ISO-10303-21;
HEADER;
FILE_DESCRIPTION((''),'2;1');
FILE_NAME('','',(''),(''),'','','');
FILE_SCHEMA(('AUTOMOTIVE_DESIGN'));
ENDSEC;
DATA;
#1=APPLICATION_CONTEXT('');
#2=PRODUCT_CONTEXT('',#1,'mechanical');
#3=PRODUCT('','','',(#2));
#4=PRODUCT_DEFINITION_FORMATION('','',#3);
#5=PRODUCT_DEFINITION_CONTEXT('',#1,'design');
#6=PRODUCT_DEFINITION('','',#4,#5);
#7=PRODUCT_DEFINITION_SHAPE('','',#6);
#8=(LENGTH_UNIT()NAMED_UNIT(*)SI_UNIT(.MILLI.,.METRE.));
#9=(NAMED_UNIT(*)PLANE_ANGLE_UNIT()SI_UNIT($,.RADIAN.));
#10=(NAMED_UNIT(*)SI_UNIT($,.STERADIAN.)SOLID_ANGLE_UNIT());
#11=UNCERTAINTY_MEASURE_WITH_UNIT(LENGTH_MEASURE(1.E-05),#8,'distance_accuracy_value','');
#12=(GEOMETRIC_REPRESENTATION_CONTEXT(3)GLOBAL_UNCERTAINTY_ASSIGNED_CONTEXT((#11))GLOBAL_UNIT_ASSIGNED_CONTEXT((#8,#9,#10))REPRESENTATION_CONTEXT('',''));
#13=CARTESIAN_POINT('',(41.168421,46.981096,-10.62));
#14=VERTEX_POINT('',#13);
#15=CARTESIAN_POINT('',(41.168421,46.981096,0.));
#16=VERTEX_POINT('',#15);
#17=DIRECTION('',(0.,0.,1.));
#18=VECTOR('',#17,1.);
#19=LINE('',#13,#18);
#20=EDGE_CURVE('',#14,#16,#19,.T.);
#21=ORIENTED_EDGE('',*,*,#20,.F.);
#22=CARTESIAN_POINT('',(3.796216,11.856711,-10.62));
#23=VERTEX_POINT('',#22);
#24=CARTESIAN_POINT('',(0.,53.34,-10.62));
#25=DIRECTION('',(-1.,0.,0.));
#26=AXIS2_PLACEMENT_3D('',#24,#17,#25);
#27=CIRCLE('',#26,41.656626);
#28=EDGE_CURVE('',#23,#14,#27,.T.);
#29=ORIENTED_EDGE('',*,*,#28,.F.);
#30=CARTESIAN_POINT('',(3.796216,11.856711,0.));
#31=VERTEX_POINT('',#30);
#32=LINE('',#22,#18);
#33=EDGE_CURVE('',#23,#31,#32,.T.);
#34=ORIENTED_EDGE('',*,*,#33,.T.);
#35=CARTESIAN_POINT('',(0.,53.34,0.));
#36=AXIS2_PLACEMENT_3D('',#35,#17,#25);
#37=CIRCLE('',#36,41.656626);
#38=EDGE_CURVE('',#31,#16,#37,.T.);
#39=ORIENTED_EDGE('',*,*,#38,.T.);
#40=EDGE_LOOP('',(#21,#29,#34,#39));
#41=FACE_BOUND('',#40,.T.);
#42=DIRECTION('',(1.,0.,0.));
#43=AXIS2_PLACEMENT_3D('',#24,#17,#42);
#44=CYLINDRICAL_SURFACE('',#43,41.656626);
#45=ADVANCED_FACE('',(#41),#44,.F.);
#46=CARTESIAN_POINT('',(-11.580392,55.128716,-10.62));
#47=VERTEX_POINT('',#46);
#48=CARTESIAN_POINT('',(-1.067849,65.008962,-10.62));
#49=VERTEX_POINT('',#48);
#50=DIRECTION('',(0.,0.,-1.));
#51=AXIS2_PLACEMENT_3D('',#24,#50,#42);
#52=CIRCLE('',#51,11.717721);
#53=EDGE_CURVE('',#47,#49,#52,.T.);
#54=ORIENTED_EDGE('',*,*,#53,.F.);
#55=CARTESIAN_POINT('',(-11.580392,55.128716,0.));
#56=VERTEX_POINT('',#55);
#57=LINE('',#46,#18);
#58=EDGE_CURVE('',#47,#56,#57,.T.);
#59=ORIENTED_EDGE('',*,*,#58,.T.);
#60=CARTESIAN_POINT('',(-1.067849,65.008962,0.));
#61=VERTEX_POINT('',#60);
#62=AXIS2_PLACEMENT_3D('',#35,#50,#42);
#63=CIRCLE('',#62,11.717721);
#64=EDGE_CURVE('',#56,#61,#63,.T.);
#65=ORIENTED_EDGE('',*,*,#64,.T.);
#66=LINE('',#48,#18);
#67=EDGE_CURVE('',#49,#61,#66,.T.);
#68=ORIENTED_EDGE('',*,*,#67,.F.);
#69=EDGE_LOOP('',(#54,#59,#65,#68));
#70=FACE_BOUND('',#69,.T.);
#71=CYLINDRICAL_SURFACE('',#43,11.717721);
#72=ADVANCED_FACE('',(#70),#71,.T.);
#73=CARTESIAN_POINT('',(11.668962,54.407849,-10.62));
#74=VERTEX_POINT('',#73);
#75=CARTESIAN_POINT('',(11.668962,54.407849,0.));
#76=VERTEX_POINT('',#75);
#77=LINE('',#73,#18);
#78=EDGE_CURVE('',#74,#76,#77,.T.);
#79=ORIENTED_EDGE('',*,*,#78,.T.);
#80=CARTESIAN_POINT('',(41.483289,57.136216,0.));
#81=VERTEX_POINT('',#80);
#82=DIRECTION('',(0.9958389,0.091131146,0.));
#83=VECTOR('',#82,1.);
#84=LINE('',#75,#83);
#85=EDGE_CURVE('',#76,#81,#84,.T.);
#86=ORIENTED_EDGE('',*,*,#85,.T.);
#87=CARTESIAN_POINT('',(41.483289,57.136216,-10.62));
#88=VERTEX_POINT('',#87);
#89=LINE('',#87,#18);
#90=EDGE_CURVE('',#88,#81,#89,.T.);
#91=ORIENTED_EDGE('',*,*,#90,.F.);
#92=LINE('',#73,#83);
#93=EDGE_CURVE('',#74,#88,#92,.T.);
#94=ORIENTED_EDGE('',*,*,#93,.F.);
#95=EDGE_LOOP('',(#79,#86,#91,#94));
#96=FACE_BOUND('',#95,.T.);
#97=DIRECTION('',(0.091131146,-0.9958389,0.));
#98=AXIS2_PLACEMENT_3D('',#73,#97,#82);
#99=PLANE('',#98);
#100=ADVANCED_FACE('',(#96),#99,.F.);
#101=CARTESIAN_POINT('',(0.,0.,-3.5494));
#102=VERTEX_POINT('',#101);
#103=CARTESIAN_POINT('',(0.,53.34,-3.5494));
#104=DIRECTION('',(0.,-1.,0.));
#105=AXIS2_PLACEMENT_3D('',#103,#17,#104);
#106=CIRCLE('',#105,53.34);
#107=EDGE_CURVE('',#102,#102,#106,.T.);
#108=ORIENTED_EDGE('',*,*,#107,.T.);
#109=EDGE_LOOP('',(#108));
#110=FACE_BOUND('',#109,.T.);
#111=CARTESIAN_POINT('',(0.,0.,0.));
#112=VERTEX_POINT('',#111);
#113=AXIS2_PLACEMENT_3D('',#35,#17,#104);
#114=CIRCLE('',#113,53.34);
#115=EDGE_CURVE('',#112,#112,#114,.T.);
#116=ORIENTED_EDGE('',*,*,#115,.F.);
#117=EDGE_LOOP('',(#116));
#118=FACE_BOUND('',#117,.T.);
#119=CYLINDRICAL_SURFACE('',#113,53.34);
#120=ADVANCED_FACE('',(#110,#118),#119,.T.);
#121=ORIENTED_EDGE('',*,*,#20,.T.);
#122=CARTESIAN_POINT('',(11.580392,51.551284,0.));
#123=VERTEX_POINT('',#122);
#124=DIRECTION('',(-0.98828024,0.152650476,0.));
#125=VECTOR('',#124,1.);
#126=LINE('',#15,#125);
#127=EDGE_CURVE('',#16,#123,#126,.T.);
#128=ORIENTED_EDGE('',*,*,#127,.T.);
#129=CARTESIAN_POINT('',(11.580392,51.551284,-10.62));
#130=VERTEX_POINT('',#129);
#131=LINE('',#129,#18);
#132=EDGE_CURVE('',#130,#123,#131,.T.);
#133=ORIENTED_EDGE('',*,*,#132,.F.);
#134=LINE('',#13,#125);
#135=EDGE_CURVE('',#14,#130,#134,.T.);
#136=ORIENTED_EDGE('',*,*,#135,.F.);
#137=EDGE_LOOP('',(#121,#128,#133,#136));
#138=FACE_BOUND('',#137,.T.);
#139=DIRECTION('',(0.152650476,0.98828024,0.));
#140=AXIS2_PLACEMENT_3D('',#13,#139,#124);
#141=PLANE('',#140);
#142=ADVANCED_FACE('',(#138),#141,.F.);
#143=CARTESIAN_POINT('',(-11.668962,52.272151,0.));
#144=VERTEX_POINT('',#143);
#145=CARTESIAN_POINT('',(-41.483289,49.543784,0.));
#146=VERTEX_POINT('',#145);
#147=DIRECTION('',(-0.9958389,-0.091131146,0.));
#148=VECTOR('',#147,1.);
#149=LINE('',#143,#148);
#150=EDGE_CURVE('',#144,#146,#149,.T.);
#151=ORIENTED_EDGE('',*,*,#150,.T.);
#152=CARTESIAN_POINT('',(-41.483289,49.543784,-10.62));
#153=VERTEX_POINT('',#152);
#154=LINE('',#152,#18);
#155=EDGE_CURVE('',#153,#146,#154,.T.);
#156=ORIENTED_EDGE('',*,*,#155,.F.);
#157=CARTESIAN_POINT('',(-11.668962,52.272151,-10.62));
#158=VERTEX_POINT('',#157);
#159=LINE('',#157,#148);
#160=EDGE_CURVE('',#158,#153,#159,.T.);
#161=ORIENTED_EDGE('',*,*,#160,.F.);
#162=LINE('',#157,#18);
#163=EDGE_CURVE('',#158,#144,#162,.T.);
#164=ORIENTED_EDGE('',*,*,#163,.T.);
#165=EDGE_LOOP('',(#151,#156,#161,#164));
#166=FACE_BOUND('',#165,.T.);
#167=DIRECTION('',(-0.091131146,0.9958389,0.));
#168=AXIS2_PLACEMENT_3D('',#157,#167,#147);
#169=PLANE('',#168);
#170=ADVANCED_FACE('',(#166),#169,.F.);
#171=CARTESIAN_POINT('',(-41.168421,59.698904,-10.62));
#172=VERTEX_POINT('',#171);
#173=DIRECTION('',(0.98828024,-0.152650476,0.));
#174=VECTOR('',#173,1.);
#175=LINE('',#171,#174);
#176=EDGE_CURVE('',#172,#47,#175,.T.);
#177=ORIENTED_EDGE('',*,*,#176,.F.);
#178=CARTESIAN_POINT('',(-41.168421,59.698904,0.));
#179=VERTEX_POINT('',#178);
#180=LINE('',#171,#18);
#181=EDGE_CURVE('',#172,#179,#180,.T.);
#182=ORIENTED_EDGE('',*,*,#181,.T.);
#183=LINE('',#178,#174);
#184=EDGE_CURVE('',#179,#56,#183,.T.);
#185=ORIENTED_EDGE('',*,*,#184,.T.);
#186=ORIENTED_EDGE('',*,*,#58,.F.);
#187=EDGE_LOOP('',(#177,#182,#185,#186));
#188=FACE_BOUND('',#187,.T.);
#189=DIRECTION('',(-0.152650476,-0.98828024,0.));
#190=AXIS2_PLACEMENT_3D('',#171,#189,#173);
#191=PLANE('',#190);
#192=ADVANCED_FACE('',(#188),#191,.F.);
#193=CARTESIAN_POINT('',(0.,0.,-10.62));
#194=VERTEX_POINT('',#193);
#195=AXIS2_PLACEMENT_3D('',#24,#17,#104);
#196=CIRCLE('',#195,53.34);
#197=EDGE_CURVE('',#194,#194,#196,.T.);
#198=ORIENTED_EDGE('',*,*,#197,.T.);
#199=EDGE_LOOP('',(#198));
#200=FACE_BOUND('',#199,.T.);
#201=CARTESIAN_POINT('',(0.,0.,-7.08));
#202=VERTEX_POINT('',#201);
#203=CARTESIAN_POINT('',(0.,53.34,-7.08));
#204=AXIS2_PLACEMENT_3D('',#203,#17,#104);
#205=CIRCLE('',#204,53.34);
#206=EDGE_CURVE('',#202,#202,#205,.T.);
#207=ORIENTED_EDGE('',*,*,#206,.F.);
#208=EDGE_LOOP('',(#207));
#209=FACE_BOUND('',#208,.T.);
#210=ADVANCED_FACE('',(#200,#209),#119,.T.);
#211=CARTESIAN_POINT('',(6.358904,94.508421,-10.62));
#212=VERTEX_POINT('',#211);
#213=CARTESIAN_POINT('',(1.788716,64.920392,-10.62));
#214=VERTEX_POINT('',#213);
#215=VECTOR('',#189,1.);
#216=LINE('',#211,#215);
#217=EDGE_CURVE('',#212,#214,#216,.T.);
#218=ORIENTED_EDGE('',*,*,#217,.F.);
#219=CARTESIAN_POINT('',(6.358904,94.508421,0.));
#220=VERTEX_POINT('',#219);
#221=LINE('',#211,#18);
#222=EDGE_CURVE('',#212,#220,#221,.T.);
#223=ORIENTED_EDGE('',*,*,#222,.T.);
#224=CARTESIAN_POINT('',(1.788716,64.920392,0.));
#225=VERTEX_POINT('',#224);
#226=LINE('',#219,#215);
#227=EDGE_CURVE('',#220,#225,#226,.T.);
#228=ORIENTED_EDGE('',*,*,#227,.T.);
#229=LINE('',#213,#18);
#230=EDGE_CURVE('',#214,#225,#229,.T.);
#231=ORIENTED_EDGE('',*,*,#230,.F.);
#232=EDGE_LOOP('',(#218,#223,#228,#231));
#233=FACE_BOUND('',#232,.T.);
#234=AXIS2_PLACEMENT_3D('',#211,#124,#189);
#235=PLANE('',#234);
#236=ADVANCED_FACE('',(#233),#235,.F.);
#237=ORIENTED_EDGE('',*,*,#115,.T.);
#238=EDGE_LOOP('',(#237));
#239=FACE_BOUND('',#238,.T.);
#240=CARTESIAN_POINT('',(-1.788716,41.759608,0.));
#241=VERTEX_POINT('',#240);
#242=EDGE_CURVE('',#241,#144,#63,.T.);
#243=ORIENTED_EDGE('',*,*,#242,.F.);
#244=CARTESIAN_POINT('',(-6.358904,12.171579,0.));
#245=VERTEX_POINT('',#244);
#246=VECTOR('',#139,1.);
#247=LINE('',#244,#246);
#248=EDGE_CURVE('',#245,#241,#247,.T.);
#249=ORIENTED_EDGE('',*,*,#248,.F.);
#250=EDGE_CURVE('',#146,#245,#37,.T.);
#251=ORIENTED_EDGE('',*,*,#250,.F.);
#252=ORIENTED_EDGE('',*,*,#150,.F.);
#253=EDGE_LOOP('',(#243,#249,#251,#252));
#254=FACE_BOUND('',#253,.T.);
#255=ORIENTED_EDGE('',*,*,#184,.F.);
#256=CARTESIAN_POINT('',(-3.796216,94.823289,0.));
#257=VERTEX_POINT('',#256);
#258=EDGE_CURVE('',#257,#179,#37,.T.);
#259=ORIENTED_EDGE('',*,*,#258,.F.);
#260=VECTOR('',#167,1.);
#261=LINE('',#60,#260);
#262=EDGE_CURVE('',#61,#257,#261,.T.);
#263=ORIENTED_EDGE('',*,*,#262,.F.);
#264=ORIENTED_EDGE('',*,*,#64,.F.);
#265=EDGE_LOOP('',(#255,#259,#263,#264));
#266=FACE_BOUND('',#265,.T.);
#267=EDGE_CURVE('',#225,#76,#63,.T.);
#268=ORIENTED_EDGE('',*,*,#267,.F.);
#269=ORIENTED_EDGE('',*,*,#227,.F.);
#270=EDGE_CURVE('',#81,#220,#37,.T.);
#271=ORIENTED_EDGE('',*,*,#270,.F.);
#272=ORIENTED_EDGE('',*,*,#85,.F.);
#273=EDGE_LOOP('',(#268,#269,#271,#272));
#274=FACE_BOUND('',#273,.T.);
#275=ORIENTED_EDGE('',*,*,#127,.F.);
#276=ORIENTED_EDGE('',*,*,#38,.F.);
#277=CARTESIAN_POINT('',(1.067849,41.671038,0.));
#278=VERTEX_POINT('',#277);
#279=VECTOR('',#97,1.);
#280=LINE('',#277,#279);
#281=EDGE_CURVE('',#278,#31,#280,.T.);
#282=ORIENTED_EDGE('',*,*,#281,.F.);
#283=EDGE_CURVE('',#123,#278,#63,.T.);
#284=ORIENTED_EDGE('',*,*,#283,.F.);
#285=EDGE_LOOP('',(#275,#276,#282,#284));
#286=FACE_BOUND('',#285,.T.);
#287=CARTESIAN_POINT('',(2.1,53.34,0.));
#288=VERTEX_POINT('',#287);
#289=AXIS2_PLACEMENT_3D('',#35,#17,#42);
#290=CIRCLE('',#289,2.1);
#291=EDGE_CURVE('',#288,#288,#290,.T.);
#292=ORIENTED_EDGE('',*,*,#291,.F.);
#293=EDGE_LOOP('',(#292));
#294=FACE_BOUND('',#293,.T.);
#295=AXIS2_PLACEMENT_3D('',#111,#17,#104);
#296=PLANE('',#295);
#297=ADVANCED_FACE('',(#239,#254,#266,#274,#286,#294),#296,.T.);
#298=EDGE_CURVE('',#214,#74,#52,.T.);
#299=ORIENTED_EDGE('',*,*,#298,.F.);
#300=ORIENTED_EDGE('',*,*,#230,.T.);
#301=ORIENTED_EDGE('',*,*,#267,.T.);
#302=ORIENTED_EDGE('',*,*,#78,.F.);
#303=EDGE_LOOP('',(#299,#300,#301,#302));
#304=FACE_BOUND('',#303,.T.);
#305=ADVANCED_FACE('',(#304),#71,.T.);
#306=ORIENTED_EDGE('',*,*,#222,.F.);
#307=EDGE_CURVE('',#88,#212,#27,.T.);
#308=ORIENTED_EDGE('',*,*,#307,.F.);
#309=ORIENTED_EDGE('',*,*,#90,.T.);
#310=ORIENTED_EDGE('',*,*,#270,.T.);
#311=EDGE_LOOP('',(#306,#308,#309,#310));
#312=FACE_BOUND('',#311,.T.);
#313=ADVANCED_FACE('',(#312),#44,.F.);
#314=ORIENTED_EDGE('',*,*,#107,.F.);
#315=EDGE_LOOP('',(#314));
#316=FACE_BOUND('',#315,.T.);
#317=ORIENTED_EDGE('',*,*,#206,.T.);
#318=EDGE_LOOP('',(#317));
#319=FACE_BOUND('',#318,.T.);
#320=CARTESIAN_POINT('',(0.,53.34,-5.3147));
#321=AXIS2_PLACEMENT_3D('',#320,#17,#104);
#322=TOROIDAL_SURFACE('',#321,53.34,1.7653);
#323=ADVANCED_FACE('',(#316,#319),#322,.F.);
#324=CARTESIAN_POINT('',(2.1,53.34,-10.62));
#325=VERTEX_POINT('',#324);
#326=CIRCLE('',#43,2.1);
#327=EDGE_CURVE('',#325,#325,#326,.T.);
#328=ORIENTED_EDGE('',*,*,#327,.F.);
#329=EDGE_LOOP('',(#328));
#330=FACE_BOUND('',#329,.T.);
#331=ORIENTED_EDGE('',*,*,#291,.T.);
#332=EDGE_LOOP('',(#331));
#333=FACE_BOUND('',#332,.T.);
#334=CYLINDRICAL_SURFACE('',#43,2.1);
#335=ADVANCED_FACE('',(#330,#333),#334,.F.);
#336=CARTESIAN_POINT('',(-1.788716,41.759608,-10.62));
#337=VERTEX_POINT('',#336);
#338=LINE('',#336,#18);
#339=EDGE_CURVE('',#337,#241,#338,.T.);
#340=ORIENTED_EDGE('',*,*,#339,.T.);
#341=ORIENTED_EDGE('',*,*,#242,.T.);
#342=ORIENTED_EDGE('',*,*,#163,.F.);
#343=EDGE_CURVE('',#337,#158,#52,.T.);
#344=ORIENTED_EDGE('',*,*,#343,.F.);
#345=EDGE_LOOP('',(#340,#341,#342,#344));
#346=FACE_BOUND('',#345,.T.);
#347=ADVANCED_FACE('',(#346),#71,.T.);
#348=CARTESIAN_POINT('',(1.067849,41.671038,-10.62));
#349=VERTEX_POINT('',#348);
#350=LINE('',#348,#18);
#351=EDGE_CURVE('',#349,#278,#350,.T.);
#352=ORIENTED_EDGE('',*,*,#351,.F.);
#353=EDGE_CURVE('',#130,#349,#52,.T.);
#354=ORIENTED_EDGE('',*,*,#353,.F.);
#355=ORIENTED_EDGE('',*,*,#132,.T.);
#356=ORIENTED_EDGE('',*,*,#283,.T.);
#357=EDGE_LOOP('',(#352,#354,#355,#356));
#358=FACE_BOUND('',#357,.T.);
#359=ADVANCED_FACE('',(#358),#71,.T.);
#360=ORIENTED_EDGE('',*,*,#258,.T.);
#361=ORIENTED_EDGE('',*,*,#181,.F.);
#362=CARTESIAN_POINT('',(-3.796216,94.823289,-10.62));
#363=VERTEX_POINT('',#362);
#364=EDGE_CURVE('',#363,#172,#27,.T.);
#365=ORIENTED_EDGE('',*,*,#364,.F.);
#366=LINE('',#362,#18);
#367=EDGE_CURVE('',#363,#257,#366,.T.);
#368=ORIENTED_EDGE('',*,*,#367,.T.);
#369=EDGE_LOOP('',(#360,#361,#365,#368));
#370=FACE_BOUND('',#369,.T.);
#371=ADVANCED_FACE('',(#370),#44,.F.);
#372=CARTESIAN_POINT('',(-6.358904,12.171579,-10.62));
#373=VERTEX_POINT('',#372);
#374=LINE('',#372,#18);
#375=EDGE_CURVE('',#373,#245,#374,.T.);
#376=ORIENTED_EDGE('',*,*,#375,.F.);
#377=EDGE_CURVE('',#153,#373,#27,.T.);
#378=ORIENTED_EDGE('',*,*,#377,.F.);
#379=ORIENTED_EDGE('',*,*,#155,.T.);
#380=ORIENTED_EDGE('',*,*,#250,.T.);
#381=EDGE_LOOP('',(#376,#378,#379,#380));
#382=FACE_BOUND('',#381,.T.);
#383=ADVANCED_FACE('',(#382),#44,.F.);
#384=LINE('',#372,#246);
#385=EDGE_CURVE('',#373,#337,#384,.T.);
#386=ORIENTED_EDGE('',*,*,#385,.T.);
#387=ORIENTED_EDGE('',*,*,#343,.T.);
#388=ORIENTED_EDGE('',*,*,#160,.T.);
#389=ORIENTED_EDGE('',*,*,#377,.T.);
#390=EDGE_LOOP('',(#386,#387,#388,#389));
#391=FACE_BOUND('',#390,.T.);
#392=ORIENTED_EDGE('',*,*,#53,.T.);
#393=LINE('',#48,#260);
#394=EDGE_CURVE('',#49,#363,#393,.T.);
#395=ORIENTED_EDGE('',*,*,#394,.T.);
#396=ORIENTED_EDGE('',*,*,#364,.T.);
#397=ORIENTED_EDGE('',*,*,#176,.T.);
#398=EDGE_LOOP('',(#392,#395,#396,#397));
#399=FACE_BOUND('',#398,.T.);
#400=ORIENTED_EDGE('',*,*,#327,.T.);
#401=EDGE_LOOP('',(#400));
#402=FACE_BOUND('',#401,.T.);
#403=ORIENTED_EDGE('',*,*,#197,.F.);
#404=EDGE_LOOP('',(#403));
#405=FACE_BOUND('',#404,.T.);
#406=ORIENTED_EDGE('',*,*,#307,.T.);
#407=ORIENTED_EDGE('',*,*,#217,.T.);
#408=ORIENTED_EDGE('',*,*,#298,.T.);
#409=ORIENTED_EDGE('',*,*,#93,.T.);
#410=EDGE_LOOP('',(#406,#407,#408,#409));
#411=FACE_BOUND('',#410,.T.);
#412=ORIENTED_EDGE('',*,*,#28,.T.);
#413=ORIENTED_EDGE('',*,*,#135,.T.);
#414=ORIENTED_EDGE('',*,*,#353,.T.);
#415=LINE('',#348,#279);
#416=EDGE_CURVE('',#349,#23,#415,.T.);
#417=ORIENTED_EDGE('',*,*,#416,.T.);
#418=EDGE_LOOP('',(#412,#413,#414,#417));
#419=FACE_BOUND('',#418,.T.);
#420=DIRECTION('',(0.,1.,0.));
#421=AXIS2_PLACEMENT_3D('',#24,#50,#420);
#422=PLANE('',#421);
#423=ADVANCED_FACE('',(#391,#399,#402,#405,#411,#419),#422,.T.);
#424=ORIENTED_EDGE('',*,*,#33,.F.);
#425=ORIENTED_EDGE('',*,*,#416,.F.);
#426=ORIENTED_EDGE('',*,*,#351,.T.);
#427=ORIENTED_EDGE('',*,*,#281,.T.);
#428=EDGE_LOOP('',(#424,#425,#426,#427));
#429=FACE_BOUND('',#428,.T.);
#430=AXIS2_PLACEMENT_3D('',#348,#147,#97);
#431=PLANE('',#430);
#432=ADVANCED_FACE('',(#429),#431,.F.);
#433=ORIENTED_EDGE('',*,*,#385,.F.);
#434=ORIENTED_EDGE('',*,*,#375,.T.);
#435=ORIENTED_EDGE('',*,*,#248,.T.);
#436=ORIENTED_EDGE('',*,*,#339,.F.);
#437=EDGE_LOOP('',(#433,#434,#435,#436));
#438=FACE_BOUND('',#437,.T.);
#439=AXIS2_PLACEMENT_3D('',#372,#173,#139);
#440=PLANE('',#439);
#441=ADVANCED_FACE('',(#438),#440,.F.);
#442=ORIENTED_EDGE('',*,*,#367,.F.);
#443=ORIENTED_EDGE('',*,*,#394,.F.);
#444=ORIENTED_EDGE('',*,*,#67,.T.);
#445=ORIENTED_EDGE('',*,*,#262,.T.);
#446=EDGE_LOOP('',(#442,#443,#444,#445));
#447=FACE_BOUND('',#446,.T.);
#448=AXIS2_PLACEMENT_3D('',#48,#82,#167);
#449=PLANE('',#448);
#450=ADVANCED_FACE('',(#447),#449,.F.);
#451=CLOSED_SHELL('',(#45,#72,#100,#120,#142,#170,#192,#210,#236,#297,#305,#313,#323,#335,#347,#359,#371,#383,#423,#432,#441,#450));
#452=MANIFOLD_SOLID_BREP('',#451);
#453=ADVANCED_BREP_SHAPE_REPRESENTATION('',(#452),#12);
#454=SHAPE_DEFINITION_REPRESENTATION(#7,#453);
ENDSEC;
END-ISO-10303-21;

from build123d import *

# Parameters (mm, degrees)
SKETCH5_R          = 2.1
CUT_EXTRUDE1_DEPTH = 120.743736371
CUT_EXTRUDE2_DEPTH = 120.743736371


with BuildPart() as part:
    # Sketch3 → Revolve1 (revolve)
    with BuildSketch(Plane(origin=(0, 0, 0), x_dir=(0, 0, -1), z_dir=(1, 0, 0))):
        with BuildLine():
            Line((0, 0), (0, 53.34))
            Line((0, 53.34), (10.62, 53.34))
            Line((10.62, 53.34), (10.62, 0))
            Line((10.62, 0), (7.08, 0))
            ThreePointArc((7.08, 0), (5.3147, 1.7653), (3.5494, 0))
            Line((3.5494, 0), (0, 0))
        make_face()
    revolve(axis=Axis((0, 53.34, 0), (0, 0, -1)))

    # Sketch5 → Cut-Extrude1 (cut, through all)
    with BuildSketch(Plane.XY):
        with Locations((0, 53.34)):
            Circle(SKETCH5_R)
    extrude(amount=-CUT_EXTRUDE1_DEPTH, mode=Mode.SUBTRACT)

    # Sketch6 → Cut-Extrude2 (cut, through all)
    with BuildSketch(Plane.XY):
        with BuildLine():
            Line((6.358903838, 94.508420539), (1.788715657, 64.920391883))
            ThreePointArc((1.788715657, 64.920391883), (8.538481175, 61.364918635), (11.668962152, 54.407849322))
            Line((11.668962152, 54.407849322), (41.483288818, 57.136216085))
            ThreePointArc((41.483288818, 57.136216085), (30.354394508, 81.868674027), (6.358903838, 94.508420539))
        make_face()
        with BuildLine():
            Line((41.168420539, 46.981096162), (11.580391883, 51.551284343))
            ThreePointArc((11.580391883, 51.551284343), (8.024918635, 44.801518825), (1.067849322, 41.671037848))
            Line((1.067849322, 41.671037848), (3.796216085, 11.856711182))
            ThreePointArc((3.796216085, 11.856711182), (28.528674027, 22.985605492), (41.168420539, 46.981096162))
        make_face()
        with BuildLine():
            Line((-6.358903838, 12.171579461), (-1.788715657, 41.759608117))
            ThreePointArc((-1.788715657, 41.759608117), (-8.538481175, 45.315081365), (-11.668962152, 52.272150678))
            Line((-11.668962152, 52.272150678), (-41.483288818, 49.543783915))
            ThreePointArc((-41.483288818, 49.543783915), (-30.354394508, 24.811325973), (-6.358903838, 12.171579461))
        make_face()
        with BuildLine():
            Line((-41.168420539, 59.698903838), (-11.580391883, 55.128715657))
            ThreePointArc((-11.580391883, 55.128715657), (-8.024918635, 61.878481175), (-1.067849322, 65.008962152))
            Line((-1.067849322, 65.008962152), (-3.796216085, 94.823288818))
            ThreePointArc((-3.796216085, 94.823288818), (-28.528674027, 83.694394508), (-41.168420539, 59.698903838))
        make_face()
    extrude(amount=-CUT_EXTRUDE2_DEPTH, mode=Mode.SUBTRACT)


solid = part.part
